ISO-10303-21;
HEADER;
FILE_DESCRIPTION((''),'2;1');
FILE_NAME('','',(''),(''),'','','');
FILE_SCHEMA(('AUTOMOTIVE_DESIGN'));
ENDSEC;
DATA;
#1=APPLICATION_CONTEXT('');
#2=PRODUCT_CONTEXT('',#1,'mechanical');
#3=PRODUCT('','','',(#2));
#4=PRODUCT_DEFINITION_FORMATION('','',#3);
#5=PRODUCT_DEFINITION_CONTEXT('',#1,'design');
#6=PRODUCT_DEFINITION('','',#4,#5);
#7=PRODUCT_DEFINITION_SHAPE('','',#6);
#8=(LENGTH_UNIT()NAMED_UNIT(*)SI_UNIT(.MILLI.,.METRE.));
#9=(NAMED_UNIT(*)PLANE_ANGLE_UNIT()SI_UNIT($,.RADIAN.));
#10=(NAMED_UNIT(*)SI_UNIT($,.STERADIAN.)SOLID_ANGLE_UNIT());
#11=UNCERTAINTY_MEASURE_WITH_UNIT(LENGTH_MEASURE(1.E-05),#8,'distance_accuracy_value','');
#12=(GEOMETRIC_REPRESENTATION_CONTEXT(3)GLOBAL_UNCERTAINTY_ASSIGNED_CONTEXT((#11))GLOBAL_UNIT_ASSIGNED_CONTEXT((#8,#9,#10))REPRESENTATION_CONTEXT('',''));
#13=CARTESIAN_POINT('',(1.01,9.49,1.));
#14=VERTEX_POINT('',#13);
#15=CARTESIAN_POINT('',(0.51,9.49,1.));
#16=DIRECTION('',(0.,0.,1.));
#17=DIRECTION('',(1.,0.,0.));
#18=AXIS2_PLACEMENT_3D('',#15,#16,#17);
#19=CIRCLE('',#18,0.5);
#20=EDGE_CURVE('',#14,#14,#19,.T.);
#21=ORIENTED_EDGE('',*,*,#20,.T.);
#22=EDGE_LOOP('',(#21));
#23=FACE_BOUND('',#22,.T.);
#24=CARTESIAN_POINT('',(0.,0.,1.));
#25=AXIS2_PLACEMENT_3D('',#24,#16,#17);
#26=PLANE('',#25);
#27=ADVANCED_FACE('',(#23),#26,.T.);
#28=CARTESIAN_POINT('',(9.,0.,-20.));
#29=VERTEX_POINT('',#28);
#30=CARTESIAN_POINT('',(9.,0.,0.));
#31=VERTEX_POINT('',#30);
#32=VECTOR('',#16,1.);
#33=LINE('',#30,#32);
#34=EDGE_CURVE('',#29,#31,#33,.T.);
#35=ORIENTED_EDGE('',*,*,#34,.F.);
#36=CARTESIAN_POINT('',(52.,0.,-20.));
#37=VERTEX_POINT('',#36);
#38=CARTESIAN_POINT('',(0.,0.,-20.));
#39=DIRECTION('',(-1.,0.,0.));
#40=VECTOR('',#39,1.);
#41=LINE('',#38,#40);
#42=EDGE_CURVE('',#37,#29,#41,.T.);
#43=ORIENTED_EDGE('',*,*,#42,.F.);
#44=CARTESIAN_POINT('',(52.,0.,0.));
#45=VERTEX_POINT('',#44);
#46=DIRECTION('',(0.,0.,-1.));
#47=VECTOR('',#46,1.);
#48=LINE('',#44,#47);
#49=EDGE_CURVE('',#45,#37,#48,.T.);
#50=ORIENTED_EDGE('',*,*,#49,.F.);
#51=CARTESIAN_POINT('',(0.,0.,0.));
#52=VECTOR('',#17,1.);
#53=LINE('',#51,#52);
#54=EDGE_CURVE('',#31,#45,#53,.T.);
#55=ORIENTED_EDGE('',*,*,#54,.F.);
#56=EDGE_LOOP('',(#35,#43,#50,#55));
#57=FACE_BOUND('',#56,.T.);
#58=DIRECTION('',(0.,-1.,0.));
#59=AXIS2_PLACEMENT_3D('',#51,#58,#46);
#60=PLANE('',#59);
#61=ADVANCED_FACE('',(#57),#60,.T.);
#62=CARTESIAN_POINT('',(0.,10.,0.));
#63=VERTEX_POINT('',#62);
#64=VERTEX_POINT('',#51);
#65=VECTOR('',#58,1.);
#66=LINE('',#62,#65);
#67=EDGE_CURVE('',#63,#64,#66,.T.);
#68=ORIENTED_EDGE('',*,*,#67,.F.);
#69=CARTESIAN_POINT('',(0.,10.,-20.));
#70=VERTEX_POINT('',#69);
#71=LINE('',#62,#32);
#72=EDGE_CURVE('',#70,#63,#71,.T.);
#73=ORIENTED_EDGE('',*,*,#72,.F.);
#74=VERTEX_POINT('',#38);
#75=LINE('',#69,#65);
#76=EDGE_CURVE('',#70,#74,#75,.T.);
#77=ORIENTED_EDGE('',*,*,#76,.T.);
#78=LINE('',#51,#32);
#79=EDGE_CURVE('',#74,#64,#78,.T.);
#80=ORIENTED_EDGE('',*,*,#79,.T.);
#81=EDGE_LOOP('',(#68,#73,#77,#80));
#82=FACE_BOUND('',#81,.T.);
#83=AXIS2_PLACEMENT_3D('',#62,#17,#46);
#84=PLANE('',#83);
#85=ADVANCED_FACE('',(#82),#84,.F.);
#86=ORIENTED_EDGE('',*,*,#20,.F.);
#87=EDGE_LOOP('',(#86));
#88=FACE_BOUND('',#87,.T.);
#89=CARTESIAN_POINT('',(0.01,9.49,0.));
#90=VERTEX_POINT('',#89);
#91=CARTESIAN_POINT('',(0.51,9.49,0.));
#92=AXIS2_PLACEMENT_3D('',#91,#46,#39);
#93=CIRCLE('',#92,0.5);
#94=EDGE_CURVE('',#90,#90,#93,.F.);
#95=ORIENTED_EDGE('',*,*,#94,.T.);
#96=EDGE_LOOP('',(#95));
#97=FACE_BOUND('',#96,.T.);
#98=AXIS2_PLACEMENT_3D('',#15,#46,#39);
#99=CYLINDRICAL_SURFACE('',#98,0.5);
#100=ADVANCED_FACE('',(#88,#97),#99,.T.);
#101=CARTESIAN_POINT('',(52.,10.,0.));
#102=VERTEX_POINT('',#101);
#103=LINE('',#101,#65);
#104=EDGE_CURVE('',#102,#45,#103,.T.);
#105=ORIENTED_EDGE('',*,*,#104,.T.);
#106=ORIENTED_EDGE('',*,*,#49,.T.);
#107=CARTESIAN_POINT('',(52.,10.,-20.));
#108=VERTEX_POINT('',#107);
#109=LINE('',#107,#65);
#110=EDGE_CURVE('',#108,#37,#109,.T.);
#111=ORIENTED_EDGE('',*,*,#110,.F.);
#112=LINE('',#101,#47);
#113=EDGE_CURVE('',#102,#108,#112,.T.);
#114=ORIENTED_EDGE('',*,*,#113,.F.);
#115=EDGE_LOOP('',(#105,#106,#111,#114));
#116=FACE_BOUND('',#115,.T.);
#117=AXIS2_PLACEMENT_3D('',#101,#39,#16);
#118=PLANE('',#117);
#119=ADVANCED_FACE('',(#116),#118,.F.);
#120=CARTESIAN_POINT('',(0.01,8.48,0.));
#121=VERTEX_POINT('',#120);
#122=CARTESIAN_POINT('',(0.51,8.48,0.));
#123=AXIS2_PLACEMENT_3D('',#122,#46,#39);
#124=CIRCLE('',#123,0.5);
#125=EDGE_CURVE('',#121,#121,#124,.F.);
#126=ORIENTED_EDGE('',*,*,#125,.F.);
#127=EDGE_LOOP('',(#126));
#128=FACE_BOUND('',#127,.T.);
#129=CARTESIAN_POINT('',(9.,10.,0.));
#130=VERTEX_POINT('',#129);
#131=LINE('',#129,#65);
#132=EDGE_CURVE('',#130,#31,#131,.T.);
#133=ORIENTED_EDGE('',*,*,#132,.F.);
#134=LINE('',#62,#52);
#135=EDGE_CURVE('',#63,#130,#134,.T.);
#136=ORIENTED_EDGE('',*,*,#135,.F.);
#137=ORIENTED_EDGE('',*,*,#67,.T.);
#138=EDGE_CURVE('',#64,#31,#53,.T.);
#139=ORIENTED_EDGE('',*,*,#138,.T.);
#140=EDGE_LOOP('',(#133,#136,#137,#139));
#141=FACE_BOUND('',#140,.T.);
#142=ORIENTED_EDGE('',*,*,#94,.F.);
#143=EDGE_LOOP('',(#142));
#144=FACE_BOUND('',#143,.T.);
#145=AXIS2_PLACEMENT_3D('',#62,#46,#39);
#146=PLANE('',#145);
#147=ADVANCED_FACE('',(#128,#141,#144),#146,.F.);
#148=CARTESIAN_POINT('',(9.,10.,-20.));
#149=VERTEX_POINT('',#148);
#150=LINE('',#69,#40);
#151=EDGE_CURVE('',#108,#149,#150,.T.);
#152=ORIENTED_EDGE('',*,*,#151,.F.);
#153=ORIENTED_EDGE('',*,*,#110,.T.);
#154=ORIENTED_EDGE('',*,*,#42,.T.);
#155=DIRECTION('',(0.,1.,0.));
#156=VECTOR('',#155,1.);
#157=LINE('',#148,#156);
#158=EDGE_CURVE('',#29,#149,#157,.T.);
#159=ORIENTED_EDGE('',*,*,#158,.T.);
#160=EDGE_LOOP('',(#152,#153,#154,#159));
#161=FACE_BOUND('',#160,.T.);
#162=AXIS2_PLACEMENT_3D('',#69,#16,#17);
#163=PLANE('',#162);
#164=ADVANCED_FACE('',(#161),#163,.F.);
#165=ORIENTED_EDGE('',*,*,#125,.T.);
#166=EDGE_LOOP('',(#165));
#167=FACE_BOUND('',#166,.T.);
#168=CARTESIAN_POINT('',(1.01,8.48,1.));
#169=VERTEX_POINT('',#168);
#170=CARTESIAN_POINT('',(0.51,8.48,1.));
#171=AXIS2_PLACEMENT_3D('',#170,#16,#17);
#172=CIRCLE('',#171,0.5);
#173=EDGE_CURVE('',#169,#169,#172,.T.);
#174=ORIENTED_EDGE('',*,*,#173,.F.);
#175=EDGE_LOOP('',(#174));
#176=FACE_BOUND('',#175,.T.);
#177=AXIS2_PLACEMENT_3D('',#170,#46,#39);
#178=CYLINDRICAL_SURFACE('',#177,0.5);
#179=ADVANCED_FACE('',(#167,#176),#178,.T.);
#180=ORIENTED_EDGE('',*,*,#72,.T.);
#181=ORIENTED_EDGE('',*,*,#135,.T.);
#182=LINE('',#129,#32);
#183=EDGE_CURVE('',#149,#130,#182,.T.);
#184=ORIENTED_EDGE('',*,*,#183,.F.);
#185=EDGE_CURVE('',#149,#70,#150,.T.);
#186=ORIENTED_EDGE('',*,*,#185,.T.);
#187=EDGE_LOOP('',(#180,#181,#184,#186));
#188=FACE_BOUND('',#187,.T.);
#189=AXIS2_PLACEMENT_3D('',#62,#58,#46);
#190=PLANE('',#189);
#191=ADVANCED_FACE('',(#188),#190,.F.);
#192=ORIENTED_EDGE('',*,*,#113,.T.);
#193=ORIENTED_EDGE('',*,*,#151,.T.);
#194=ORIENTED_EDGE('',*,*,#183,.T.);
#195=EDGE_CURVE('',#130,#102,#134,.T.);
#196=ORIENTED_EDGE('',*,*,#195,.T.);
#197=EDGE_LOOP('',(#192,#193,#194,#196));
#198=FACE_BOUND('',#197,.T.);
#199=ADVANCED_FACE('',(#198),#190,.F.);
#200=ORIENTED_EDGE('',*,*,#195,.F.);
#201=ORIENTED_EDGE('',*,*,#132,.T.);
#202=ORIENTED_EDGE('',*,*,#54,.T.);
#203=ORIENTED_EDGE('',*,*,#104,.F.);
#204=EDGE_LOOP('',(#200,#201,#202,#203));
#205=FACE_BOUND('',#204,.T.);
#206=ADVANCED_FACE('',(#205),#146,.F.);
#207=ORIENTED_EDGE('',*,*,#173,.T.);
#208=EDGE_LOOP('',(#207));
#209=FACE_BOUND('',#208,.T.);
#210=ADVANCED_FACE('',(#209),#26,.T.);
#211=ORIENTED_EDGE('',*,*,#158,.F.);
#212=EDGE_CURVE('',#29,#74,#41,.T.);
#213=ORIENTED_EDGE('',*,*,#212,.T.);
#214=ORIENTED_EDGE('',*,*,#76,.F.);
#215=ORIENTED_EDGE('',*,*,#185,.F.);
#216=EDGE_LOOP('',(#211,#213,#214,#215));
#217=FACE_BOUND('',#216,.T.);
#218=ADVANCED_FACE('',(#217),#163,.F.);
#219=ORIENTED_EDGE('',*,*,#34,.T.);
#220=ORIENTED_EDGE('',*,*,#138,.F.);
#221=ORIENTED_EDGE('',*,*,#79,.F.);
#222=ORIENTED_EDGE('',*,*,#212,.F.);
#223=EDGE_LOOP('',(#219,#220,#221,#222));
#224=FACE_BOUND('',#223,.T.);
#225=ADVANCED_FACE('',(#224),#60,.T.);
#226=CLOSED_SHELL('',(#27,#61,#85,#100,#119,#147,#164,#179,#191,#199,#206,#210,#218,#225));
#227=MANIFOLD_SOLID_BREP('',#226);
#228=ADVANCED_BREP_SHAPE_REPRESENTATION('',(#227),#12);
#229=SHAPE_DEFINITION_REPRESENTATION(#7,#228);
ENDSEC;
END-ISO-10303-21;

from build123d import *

# Parameters (mm, degrees)
SKETCH1_W           = 52
SKETCH1_H           = 20
BOSS_EXTRUDE1_DEPTH = 10
SKETCH3_R           = 0.5
BOSS_EXTRUDE7_DEPTH = 1


with BuildPart() as part:
    # Sketch1 → Boss-Extrude1 (new body)
    with BuildSketch(Plane(origin=(0, 0, 0), x_dir=(1, 0, 0), z_dir=(0, 1, 0))):
        with Locations((26, 10)):
            Rectangle(SKETCH1_W, SKETCH1_H)
    extrude(amount=BOSS_EXTRUDE1_DEPTH)

    # Sketch3 → Boss-Extrude7 (add)
    with BuildSketch(Plane.XY):
        with Locations(Location((0.51, 9.49, 0), (0, 0, 180))):
            Circle(SKETCH3_R)
        with Locations(Location((0.51, 8.48, 0), (0, 0, 180))):
            Circle(SKETCH3_R)
    extrude(amount=BOSS_EXTRUDE7_DEPTH)


solid = part.part
